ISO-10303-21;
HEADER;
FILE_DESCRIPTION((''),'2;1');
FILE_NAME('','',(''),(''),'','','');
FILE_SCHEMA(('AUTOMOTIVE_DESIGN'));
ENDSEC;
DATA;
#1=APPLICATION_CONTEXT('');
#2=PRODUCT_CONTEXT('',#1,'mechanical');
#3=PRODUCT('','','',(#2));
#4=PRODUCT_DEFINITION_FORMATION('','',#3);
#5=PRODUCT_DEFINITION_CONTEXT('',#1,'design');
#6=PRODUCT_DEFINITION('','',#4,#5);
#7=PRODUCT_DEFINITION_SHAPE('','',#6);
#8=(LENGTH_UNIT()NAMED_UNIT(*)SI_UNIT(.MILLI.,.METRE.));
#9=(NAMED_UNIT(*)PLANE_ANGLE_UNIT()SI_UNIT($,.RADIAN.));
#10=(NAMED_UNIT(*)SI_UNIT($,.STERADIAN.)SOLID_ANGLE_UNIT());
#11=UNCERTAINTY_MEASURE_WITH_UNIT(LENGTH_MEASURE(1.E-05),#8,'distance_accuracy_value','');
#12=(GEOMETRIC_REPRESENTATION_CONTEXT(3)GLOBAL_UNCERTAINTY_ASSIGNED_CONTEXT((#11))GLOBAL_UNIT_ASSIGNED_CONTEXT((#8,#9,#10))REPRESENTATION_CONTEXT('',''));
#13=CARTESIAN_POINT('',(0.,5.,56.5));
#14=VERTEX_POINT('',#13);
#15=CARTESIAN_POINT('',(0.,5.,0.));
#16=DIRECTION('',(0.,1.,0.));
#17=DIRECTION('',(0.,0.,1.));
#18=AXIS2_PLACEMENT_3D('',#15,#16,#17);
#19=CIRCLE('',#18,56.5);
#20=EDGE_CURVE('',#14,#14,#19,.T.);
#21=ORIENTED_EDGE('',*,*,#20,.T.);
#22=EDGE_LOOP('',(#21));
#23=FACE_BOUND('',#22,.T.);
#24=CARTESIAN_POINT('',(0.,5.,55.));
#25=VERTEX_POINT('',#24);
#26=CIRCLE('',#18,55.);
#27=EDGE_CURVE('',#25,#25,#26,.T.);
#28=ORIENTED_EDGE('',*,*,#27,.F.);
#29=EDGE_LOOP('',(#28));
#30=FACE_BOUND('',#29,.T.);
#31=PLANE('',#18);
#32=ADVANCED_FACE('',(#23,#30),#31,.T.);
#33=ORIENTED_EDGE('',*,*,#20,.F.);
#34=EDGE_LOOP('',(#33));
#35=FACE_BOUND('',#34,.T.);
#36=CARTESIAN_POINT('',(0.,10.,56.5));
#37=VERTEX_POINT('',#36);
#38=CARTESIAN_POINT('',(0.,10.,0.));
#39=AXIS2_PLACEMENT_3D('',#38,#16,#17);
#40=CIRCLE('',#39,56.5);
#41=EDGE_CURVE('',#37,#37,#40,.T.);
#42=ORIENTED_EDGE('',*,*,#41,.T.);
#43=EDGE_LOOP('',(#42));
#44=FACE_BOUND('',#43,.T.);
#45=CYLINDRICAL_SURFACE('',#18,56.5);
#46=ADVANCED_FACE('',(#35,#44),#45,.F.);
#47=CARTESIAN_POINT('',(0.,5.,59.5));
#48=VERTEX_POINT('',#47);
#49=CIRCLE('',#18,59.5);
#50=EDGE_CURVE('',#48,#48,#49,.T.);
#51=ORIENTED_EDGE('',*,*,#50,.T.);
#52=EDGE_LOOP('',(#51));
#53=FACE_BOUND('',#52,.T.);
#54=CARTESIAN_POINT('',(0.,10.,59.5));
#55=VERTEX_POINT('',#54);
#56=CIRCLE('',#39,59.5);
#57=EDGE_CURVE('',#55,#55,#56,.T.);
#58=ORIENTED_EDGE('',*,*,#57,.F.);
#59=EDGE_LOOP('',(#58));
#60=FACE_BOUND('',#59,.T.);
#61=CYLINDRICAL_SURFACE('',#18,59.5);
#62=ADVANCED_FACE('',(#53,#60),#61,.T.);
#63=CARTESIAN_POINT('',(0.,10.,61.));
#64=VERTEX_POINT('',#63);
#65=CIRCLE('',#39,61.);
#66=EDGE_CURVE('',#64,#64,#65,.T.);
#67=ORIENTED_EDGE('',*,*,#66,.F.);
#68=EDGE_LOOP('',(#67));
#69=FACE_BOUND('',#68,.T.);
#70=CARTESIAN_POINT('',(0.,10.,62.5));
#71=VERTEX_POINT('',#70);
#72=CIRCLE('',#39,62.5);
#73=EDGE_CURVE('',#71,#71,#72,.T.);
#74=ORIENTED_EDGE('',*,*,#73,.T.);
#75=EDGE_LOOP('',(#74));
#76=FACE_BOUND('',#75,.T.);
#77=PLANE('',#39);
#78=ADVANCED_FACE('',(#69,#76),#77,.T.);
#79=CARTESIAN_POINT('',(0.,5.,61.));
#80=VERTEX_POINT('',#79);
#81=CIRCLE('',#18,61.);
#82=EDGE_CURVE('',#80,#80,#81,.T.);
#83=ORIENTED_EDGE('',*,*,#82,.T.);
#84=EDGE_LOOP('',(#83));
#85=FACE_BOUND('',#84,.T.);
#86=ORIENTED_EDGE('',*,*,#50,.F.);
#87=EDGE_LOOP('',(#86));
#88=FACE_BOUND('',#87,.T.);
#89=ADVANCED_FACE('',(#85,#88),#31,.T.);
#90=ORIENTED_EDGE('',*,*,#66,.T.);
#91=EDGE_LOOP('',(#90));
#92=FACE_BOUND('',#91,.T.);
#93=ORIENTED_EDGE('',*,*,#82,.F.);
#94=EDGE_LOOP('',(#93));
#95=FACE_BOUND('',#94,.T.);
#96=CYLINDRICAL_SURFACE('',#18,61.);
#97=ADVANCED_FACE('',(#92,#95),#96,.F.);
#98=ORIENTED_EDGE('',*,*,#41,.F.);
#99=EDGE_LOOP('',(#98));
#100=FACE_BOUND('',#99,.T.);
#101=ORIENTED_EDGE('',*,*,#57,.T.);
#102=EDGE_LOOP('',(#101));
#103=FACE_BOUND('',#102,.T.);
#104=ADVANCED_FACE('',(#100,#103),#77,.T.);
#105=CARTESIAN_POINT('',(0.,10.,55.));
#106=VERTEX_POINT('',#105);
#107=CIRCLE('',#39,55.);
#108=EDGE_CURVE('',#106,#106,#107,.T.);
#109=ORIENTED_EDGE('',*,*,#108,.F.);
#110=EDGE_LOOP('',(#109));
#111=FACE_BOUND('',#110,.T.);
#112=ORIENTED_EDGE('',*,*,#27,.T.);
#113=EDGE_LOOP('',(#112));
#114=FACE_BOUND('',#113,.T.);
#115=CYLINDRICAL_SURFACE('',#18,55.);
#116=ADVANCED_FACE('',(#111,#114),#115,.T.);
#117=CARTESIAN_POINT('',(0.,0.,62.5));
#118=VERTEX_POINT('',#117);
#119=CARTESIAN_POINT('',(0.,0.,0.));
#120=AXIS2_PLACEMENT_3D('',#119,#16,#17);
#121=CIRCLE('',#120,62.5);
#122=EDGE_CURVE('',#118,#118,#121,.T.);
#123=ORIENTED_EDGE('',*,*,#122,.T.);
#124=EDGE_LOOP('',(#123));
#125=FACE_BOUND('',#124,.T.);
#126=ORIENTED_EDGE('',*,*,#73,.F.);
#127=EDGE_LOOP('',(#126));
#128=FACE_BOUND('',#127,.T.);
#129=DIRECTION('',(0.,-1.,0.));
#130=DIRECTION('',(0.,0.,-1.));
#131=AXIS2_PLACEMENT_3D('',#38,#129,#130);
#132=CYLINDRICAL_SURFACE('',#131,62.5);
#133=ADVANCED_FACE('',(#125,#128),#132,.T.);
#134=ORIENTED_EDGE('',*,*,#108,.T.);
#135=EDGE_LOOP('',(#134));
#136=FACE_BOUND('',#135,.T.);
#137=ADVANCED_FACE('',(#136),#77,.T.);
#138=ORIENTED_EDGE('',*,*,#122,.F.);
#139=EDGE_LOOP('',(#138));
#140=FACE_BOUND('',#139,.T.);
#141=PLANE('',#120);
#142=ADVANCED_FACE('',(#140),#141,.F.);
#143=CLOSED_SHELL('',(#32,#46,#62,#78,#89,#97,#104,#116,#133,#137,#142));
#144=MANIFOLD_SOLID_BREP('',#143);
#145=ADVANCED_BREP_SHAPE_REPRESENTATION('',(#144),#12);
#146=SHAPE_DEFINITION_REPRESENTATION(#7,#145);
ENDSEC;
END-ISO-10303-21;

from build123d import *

# Parameters (mm, degrees)
SKETCH2_R           = 62.5
BOSS_EXTRUDE1_DEPTH = 10
SKETCH3_R           = 61
SKETCH3_R_2         = 59.5
SKETCH3_R_3         = 56.5
SKETCH3_R_4         = 55
CUT_EXTRUDE1_DEPTH  = 5


with BuildPart() as part:
    # Sketch2 → Boss-Extrude1 (new body)
    with BuildSketch(Plane(origin=(0, 0, 0), x_dir=(1, 0, 0), z_dir=(0, 1, 0))):
        with Locations(Location((0, 0, 0), (0, 0, 270))):
            Circle(SKETCH2_R)
    extrude(amount=BOSS_EXTRUDE1_DEPTH)

    # Sketch3 → Cut-Extrude1 (cut)
    # profile 1 of 2: a face of its own
    with BuildSketch(Plane(origin=(0, 10, 0), x_dir=(1, 0, 0), z_dir=(0, 1, 0))):
        with Locations(Location((0, 0, 0), (0, 0, 270))):
            Circle(SKETCH3_R)
        with Locations(Location((0, 0, 0), (0, 0, 270))):
            Circle(SKETCH3_R_2, mode=Mode.SUBTRACT)
    # profile 2 of 2: a face of its own
    with BuildSketch(Plane(origin=(0, 10, 0), x_dir=(1, 0, 0), z_dir=(0, 1, 0))):
        with Locations(Location((0, 0, 0), (0, 0, 270))):
            Circle(SKETCH3_R_3)
        with Locations(Location((0, 0, 0), (0, 0, 270))):
            Circle(SKETCH3_R_4, mode=Mode.SUBTRACT)
    extrude(amount=-CUT_EXTRUDE1_DEPTH, mode=Mode.SUBTRACT)


solid = part.part
